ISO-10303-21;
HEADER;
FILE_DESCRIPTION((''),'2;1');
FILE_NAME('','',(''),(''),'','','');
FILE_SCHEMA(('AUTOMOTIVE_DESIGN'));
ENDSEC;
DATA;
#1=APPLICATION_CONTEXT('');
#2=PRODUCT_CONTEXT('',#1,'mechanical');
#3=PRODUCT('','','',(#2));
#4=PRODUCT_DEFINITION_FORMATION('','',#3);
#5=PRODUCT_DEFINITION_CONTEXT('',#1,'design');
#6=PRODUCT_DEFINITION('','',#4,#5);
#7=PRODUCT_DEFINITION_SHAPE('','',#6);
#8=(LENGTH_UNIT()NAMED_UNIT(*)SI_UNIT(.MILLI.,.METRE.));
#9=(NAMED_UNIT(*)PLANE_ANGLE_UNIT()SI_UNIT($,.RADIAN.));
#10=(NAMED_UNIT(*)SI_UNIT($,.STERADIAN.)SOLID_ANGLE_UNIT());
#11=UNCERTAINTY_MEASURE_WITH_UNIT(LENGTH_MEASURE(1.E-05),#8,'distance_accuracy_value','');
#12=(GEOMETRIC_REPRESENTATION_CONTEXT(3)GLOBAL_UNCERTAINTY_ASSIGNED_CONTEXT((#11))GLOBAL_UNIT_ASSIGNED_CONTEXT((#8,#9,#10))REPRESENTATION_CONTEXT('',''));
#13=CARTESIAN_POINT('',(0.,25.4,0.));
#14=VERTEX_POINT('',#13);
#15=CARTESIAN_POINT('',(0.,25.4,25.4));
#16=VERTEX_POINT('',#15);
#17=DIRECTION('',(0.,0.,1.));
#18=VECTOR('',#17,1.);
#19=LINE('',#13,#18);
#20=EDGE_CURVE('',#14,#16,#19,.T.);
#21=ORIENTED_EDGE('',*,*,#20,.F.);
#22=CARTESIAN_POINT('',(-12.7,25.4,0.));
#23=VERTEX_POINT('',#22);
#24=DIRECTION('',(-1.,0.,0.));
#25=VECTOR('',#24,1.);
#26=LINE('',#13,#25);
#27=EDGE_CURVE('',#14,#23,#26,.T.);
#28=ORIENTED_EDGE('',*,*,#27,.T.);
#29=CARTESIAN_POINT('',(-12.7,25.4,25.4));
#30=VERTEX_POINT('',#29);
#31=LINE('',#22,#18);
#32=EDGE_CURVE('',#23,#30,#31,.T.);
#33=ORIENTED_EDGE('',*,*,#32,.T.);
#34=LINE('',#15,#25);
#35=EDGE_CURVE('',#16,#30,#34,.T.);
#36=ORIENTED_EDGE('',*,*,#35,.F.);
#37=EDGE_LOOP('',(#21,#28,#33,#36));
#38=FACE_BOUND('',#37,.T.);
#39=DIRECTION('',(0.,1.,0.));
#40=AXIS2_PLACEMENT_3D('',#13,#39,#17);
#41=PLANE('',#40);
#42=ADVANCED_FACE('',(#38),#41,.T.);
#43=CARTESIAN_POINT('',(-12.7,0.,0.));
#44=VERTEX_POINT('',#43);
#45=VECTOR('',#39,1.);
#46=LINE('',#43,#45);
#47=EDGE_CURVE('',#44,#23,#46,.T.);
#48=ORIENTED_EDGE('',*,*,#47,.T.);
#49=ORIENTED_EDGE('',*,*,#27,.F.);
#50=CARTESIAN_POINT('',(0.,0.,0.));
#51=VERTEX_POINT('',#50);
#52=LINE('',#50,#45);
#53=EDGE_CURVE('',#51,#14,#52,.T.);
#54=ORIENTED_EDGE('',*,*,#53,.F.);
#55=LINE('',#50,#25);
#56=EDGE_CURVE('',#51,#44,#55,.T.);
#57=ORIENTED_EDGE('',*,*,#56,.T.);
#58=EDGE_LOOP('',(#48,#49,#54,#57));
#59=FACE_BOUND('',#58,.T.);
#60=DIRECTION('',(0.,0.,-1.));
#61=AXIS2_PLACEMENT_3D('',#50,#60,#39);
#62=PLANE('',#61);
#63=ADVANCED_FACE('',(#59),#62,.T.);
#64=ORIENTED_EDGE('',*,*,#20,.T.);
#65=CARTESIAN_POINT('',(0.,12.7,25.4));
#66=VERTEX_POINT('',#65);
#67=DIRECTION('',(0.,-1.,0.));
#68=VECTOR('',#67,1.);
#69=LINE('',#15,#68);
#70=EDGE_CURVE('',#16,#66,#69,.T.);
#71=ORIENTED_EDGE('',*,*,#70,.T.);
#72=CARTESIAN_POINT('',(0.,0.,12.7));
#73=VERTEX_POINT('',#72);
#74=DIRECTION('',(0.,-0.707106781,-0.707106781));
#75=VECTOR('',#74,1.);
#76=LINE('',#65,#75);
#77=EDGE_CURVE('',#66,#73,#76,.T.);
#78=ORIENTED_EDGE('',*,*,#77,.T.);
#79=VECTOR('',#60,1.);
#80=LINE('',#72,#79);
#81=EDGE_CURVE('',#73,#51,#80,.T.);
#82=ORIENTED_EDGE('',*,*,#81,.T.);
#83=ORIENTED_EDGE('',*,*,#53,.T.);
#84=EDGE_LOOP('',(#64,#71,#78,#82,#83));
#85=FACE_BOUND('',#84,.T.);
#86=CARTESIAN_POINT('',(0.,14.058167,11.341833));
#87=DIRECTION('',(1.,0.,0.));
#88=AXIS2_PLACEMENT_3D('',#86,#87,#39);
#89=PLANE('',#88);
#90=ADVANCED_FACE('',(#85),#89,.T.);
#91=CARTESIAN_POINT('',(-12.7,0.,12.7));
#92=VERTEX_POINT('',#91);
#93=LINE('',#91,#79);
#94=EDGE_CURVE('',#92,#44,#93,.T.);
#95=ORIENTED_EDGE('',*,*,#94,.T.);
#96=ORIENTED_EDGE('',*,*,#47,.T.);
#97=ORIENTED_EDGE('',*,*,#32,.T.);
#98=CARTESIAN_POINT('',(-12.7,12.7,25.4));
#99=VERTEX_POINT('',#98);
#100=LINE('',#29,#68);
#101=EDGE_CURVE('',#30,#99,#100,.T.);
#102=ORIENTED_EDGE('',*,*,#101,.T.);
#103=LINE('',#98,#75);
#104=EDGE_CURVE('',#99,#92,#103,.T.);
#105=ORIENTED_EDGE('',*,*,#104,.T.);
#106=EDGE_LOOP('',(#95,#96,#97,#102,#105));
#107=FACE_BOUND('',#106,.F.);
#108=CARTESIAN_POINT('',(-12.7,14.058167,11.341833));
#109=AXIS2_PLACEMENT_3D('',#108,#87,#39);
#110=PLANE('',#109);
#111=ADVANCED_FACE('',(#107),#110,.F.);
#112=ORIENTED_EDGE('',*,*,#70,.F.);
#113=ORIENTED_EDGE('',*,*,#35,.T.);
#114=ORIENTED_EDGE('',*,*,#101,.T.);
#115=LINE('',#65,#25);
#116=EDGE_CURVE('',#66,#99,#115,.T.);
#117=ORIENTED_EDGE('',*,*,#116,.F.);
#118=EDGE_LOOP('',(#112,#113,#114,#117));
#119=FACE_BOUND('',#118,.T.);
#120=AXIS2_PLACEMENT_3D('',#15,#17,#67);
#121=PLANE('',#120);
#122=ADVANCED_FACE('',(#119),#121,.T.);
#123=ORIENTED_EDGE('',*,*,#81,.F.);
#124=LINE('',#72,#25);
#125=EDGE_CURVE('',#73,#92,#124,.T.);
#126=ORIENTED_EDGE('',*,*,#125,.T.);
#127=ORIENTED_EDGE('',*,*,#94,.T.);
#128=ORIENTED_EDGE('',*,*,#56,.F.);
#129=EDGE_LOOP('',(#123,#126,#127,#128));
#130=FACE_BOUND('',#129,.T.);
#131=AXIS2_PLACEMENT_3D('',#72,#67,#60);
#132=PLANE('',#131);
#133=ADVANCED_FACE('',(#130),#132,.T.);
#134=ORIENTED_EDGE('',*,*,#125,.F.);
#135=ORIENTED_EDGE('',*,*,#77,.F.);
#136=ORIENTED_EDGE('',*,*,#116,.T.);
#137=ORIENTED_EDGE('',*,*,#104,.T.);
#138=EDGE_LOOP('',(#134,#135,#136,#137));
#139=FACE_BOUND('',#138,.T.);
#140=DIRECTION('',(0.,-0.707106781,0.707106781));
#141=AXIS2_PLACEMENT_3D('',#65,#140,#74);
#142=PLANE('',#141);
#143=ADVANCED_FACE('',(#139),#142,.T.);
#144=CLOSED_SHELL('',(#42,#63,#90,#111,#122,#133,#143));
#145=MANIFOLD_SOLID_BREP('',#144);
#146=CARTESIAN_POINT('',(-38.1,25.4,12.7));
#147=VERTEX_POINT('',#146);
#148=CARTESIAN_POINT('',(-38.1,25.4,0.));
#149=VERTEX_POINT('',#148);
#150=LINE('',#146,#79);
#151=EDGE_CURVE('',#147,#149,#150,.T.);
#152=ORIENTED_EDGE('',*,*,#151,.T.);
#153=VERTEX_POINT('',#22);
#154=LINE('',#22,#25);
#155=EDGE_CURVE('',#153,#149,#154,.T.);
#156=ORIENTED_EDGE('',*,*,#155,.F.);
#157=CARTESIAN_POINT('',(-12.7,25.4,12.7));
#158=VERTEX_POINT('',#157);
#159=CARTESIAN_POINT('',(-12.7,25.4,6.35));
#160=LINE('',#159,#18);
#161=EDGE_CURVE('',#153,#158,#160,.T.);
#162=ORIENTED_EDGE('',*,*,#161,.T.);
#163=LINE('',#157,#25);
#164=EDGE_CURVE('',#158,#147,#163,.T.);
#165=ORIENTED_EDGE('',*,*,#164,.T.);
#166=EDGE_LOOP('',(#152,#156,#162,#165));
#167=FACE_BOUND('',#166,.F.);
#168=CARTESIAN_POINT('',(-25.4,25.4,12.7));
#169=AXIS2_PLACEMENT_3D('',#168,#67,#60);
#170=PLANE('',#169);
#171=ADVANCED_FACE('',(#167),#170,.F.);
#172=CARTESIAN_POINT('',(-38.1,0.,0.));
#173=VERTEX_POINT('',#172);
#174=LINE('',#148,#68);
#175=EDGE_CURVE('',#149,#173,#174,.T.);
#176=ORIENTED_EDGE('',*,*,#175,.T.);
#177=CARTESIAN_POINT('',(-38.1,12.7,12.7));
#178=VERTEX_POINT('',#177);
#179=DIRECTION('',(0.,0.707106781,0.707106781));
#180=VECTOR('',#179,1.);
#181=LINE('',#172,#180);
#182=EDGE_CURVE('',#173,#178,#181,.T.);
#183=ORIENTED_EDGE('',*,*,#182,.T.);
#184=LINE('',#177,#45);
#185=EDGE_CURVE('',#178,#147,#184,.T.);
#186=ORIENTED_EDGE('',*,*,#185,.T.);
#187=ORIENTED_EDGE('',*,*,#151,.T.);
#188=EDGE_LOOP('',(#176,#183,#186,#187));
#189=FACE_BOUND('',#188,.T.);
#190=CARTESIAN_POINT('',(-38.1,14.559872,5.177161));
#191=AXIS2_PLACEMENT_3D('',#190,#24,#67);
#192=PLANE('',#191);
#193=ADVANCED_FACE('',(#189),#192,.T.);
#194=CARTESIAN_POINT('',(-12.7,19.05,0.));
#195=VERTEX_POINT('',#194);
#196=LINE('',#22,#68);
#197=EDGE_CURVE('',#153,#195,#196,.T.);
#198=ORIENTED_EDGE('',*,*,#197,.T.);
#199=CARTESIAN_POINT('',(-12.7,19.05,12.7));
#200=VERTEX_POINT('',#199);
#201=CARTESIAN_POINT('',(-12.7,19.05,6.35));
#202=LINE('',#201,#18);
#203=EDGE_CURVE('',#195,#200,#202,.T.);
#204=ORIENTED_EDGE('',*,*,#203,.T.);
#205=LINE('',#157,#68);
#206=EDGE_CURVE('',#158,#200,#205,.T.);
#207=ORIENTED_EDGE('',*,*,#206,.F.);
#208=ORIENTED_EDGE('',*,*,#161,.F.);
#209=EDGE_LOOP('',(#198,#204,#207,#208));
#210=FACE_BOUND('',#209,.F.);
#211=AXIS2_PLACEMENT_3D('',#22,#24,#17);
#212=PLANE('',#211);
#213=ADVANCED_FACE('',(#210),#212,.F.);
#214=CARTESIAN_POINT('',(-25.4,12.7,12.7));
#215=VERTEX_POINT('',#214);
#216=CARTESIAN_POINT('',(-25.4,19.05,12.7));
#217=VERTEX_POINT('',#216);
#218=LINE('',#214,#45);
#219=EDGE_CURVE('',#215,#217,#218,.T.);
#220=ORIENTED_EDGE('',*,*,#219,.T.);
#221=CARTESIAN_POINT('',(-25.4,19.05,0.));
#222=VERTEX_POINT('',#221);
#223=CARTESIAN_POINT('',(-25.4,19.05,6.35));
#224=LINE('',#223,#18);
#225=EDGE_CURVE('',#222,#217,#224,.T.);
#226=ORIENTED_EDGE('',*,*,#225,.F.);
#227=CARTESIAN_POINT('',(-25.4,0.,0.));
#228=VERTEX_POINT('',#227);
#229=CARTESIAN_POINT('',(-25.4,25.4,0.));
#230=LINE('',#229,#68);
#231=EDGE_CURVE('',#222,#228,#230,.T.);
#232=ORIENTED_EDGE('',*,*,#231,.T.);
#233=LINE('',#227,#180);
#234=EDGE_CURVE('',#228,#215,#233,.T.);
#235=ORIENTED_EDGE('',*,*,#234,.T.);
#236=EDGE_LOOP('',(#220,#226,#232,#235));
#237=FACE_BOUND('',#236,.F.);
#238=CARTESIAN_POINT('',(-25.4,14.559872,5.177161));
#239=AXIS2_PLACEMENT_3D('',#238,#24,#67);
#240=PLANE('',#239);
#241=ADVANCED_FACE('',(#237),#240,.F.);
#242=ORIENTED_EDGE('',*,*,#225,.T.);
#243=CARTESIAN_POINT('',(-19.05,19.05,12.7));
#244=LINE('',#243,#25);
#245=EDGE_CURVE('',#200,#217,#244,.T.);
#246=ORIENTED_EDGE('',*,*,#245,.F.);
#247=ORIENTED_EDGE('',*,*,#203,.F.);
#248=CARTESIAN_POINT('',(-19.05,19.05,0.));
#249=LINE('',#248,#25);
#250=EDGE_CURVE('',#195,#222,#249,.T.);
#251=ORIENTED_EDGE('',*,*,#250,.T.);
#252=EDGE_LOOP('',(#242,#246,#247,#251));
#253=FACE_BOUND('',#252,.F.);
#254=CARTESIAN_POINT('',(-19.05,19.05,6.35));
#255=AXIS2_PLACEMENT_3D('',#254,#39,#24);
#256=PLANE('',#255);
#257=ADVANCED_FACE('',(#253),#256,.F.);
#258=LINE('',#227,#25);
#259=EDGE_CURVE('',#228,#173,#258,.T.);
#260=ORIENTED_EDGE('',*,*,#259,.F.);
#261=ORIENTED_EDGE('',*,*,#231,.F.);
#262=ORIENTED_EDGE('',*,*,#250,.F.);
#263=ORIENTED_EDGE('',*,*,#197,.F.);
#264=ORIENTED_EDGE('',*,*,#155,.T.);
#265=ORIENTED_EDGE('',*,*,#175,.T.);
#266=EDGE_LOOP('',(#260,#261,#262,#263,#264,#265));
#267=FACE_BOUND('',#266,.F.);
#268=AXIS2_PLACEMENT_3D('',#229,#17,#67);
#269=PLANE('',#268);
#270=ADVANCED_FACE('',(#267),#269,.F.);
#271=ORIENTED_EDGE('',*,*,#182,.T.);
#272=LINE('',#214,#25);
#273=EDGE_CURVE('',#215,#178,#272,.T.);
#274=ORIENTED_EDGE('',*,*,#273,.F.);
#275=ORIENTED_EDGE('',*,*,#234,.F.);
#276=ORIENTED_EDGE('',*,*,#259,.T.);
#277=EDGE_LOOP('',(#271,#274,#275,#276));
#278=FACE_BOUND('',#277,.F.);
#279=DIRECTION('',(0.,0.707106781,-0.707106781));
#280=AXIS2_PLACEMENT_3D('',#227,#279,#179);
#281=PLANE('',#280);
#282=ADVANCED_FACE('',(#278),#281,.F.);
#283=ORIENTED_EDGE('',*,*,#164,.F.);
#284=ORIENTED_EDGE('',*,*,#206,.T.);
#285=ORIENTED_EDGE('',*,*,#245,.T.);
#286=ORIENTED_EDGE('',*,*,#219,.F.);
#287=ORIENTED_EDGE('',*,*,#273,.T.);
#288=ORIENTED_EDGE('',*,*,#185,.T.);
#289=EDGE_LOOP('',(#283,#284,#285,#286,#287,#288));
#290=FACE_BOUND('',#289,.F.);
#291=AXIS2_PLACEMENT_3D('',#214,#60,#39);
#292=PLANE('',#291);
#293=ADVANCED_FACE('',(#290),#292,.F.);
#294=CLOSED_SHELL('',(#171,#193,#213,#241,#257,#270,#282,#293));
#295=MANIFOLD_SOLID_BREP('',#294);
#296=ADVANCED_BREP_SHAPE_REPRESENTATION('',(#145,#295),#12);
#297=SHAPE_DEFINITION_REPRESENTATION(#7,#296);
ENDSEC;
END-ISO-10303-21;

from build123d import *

# Parameters (mm, degrees)
F1_DEPTH = 12.7
F2_W     = 12.7
F2_H     = 12.7
F3_DEPTH = 6.35
F5_DEPTH = 12.7


with BuildPart() as f1:
    # F0 (on Right) → F1 (new body)
    with BuildSketch(Plane.YZ):
        Polygon((0, 12.7), (0, 0), (25.4, 0), (25.4, 25.4), (12.7, 25.4), align=None)
    extrude(amount=-F1_DEPTH)


with BuildPart() as f3:
    # F2 (on face) → F3 (new body)
    with BuildSketch(Plane(origin=(0, 25.4, 0), x_dir=(-1, 0, 0), z_dir=(0, 1, 0))):
        with Locations((19.05, 6.35)):
            Rectangle(F2_W, F2_H)
    extrude(amount=-F3_DEPTH)

    # F4 (on face) → F5 (join)
    with BuildSketch(Plane(origin=(-25.4, 0, 0), x_dir=(0, -1, 0), z_dir=(-1, 0, 0))):
        Polygon((-12.7, 12.7), (-25.4, 12.7), (-25.4, 0), (0, 0), align=None)
    extrude(amount=F5_DEPTH)


solid = Compound([f1.part, f3.part])
